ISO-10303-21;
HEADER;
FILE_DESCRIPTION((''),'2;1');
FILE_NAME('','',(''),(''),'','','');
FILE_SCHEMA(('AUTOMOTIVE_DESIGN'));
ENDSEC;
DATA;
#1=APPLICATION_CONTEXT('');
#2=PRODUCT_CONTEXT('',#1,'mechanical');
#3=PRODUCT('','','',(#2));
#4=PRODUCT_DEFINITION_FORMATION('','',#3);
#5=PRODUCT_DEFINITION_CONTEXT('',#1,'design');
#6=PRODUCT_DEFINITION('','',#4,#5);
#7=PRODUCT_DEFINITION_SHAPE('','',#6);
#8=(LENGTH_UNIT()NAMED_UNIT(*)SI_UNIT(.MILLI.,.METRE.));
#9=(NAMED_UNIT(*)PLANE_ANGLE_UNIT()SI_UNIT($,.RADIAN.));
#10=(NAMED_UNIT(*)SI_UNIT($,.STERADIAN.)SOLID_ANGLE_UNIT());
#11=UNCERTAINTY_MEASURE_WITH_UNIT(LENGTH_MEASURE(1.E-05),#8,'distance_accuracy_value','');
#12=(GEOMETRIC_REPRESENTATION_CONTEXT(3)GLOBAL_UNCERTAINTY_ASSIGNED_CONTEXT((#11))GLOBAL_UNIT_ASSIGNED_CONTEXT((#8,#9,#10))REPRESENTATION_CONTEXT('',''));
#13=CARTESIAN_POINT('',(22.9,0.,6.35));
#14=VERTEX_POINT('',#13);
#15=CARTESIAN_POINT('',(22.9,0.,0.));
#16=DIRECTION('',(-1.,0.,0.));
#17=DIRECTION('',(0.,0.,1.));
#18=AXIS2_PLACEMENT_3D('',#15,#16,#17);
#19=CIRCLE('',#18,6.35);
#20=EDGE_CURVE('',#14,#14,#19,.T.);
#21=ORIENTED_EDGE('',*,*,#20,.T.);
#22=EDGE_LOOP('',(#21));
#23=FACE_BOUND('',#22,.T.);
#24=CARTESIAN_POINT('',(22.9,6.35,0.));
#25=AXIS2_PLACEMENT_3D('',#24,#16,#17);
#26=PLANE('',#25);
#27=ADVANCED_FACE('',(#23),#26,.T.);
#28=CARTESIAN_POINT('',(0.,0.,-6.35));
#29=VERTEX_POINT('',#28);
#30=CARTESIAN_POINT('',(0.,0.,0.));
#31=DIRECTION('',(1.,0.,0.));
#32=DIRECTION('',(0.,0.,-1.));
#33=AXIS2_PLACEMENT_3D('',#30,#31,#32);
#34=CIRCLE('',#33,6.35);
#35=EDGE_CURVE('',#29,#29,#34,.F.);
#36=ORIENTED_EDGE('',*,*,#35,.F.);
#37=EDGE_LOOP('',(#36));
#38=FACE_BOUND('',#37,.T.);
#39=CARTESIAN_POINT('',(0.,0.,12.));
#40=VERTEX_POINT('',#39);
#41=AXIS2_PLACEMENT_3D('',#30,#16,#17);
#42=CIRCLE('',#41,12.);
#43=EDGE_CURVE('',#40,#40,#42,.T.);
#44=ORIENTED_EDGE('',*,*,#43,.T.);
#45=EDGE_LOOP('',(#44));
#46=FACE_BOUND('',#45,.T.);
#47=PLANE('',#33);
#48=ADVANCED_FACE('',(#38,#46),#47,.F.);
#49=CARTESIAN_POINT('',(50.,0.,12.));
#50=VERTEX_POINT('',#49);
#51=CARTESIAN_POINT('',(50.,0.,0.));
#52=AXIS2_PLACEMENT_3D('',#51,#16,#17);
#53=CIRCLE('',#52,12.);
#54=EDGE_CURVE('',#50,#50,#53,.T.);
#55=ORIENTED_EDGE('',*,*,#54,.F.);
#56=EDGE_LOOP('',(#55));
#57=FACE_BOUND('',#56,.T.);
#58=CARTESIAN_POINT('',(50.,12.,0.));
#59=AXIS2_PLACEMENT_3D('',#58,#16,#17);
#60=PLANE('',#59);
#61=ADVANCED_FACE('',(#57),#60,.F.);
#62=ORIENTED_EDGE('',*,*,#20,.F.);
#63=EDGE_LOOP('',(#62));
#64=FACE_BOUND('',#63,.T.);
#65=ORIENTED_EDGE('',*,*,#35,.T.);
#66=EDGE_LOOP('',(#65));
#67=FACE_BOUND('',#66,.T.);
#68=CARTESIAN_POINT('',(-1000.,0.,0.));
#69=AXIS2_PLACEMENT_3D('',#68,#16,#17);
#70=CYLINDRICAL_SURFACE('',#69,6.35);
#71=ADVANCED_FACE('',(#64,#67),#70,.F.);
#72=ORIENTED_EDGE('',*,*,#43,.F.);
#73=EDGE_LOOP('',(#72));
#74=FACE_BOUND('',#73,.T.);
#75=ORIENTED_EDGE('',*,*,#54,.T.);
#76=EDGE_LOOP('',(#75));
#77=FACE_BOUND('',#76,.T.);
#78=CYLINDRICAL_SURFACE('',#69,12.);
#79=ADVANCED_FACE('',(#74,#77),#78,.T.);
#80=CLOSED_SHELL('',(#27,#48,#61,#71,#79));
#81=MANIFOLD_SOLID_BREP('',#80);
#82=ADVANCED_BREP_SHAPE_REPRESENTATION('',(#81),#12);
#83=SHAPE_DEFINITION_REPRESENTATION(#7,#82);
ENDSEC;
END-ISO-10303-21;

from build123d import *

# Parameters (mm, degrees)
HOSE_END_8_SKETCH_W = 50
HOSE_END_8_SKETCH_H = 12
SOCKET_1_SKETCH_W   = 23.9
SOCKET_1_SKETCH_H   = 6.35


with BuildPart() as part:
    # Hose_End_8 Sketch → Hose_End_8 (revolve)
    with BuildSketch(Plane.XY):
        with Locations((25, 6)):
            Rectangle(HOSE_END_8_SKETCH_W, HOSE_END_8_SKETCH_H)
    revolve(axis=Axis((-1000, 0, 0), (1, 0, 0)))

    # Socket 1 Sketch → Socket 1 (revolve, cut)
    with BuildSketch(Plane.XY):
        with Locations((10.95, 3.175)):
            Rectangle(SOCKET_1_SKETCH_W, SOCKET_1_SKETCH_H)
    revolve(axis=Axis((-1000, 0, 0), (1, 0, 0)), mode=Mode.SUBTRACT)


solid = part.part
